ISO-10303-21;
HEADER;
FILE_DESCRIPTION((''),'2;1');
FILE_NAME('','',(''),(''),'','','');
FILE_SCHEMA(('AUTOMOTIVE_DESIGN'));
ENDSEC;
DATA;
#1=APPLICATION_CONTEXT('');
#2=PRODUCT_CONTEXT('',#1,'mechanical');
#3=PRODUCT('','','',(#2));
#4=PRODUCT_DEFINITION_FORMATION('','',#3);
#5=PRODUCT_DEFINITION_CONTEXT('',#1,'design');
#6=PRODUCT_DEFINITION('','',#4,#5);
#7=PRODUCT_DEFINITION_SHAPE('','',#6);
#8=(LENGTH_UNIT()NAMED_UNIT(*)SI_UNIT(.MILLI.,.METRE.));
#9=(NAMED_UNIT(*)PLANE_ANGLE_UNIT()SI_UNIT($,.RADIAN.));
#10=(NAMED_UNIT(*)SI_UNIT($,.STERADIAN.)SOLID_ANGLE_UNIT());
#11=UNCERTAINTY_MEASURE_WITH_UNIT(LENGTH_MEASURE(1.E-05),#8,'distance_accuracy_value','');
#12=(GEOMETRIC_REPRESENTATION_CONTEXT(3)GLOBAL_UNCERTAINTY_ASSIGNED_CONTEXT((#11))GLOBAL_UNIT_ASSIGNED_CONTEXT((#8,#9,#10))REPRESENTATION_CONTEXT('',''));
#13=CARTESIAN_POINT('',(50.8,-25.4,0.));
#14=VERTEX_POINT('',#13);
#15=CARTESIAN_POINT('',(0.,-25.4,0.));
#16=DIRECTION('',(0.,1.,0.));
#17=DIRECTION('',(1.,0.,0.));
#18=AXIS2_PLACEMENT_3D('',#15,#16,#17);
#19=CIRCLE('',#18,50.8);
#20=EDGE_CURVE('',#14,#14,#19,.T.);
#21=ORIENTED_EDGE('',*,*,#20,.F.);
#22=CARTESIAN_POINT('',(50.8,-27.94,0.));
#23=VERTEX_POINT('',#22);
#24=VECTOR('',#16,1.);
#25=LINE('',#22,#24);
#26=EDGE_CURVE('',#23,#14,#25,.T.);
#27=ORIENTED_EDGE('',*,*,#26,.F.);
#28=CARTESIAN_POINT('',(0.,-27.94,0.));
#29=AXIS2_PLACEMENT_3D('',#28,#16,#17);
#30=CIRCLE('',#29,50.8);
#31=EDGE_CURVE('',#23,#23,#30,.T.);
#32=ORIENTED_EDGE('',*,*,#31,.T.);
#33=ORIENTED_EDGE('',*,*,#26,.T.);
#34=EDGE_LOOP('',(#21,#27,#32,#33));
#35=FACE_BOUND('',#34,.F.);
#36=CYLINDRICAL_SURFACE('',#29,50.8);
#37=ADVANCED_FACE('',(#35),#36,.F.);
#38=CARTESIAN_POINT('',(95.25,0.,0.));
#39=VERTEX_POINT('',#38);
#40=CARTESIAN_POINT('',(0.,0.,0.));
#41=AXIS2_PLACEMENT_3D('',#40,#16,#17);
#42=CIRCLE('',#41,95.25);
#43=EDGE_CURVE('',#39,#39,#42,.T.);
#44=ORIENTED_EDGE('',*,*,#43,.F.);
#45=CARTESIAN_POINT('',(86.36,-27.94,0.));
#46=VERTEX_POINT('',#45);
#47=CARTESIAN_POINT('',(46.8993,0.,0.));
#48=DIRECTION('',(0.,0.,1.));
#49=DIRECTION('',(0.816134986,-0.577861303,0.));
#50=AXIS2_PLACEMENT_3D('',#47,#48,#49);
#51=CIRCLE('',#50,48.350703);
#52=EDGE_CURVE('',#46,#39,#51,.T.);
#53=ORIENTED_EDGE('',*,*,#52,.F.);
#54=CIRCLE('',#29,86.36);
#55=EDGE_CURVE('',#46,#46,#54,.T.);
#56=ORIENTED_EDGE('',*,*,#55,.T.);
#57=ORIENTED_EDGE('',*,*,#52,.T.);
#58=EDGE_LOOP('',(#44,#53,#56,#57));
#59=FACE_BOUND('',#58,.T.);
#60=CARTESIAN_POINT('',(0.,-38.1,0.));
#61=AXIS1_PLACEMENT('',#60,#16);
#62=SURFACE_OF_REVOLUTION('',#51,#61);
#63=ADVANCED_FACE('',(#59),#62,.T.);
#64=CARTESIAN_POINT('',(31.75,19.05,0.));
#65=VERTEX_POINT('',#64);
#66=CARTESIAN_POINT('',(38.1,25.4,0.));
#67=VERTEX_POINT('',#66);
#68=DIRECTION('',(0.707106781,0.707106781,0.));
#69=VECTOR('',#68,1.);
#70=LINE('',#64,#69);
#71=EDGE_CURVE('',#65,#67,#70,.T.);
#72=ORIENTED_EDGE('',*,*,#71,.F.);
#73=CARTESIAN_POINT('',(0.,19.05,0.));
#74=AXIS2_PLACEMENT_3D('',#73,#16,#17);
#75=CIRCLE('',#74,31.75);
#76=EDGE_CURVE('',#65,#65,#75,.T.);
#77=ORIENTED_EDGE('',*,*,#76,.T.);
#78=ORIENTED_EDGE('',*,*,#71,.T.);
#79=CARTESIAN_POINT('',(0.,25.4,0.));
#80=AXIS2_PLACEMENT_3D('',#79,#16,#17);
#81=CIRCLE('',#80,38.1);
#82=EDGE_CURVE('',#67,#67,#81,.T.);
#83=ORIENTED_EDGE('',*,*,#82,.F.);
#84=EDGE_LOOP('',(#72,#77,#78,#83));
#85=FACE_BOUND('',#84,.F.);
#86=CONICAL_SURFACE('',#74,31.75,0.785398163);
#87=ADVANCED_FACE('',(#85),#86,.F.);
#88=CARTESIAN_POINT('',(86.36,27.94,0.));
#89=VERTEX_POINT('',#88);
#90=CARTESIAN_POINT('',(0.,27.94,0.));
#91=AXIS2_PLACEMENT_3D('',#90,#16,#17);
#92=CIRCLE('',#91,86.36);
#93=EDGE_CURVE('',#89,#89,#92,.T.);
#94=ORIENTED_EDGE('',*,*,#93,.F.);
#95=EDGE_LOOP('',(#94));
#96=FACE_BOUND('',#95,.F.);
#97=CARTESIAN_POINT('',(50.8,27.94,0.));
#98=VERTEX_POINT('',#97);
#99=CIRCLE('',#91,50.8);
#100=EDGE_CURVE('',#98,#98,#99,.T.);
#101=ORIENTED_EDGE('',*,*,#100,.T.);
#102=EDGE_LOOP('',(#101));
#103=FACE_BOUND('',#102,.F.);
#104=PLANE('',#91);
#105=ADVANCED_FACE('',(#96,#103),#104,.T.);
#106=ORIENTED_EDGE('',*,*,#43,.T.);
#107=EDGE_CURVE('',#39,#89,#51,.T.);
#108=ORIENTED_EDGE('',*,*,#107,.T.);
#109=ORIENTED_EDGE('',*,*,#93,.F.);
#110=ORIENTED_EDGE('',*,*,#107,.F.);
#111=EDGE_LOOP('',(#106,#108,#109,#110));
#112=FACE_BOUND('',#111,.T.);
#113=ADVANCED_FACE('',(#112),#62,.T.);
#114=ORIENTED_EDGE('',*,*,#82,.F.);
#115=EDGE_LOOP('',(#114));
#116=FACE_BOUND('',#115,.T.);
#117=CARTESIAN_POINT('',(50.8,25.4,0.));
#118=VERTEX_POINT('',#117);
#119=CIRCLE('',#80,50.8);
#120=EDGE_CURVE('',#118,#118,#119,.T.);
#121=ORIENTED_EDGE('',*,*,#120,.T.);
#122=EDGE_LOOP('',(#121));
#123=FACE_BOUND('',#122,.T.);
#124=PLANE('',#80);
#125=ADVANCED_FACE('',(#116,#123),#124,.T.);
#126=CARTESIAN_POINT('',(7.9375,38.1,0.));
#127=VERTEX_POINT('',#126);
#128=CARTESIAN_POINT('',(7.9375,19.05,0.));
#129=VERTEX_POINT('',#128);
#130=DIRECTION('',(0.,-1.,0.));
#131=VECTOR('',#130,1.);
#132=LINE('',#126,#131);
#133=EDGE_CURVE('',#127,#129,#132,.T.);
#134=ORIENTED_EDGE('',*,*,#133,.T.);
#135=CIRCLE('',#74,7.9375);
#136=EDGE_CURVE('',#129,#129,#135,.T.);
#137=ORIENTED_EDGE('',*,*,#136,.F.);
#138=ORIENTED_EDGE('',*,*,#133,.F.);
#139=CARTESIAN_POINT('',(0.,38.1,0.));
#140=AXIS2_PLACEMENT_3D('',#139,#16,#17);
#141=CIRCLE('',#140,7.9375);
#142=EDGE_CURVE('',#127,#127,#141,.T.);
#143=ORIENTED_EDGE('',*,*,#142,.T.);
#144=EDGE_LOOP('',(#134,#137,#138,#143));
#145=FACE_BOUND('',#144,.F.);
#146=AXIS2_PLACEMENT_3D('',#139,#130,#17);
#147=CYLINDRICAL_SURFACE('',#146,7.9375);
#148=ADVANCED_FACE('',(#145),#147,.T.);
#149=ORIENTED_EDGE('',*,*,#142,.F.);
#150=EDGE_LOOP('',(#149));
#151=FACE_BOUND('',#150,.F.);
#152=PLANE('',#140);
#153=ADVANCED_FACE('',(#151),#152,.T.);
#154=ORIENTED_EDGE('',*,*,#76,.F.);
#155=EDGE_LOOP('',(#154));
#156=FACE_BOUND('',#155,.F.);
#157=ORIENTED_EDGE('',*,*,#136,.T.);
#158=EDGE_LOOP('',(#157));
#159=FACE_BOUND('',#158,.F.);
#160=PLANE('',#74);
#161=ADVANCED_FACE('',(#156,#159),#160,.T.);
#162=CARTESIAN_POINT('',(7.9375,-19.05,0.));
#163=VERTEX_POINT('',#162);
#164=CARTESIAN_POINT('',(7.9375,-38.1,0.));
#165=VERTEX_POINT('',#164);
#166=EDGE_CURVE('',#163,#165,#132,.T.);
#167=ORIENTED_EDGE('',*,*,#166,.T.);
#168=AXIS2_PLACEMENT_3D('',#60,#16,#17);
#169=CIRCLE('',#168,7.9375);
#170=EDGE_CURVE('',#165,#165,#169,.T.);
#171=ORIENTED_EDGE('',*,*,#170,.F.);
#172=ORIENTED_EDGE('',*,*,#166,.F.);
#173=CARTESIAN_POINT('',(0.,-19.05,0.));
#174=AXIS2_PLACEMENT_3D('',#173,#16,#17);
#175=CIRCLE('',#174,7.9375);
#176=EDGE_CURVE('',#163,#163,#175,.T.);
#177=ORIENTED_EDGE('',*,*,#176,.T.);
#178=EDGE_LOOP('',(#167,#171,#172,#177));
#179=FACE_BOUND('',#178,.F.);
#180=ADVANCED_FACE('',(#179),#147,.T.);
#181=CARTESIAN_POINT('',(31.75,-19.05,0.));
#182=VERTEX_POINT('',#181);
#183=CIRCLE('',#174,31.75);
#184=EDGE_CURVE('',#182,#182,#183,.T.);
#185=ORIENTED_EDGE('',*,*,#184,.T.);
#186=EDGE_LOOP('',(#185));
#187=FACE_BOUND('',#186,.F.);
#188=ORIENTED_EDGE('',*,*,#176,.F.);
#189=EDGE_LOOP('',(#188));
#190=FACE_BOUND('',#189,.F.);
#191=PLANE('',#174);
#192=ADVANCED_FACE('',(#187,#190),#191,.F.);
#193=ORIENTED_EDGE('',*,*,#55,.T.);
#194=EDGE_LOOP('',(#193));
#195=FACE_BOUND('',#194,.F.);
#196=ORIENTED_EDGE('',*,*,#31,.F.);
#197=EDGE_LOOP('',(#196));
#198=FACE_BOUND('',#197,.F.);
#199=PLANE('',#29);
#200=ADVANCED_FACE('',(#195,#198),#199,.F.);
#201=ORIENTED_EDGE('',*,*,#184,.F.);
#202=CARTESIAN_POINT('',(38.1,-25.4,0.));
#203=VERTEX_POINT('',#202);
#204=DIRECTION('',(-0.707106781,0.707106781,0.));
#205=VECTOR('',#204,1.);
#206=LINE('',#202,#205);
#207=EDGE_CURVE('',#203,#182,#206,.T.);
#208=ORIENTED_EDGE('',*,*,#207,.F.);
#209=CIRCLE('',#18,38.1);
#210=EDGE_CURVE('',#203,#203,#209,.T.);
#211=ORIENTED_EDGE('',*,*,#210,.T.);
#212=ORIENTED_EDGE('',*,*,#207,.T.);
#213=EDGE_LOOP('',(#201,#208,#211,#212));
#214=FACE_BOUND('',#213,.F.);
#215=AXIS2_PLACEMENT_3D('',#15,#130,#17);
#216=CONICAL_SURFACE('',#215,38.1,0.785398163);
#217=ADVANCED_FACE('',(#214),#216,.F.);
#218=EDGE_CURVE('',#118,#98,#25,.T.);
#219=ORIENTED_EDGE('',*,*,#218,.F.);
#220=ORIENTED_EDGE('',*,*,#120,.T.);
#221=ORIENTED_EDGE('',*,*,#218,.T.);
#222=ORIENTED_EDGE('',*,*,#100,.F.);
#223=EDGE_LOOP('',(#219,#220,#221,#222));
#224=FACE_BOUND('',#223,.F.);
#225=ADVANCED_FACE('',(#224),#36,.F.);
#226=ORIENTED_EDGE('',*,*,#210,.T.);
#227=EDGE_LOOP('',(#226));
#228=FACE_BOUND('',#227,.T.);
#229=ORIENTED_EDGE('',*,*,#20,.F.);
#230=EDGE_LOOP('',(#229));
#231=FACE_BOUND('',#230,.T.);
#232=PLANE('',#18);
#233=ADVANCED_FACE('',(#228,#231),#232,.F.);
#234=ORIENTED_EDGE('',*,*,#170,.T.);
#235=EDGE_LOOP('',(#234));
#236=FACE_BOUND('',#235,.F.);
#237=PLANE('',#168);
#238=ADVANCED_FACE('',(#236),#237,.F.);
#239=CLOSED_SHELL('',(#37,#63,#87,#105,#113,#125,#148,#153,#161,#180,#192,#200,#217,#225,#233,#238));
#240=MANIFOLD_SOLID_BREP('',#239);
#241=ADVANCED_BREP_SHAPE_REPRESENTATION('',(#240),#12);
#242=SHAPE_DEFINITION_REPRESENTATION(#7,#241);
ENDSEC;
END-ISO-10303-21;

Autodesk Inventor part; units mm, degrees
ref_plane "YZ Plane" through (0, 0, 0) normal (1, 0, 0) x (0, 1, 0)
ref_plane "XZ Plane" through (0, 0, 0) normal (0, 1, 0) x (-1, 0, 0)
ref_plane "XY Plane" through (0, 0, 0) normal (0, 0, 1) x (1, 0, 0)
sketch "Sketch1" plane through (0, 0, 0) normal (0, 0, 1) x (1, 0, 0)
  line L0 (0, 0) -> (0, 0)
  line L1 (95.25, 0) -> (95.25, 7.7978)
  line L2 (86.36, -27.94) -> (50.8, -27.94)
  line L3 (50.8, -27.94) -> (50.8, 27.94)
  line L4 (50.8, 27.94) -> (86.36, 27.94)
  line L5 (86.36, 27.94) -> (86.36, -27.94)
  line L6 (50.8, 25.4) -> (38.1, 25.4)
  line L7 (38.1, 25.4) -> (38.1, -25.4)
  line L8 (38.1, -25.4) -> (50.8, -25.4)
  line L9 (50.8, -25.4) -> (50.8, 25.4)
  line L10 (0, 19.05) -> (31.75, 19.05)
  line L11 (31.75, 19.05) -> (31.75, -19.05)
  line L12 (31.75, -19.05) -> (0, -19.05)
  line L13 (0, -19.05) -> (0, 19.05)
  line L14 (31.75, 19.05) -> (38.1, 25.4)
  line L15 (38.1, -25.4) -> (31.75, -19.05)
  line L16 (0, 7.7978) -> (4.1037, 7.7978)
  line L17 (0, 38.1) -> (7.9375, 38.1)
  line L18 (7.9375, 38.1) -> (7.9375, -38.1)
  line L19 (7.9375, -38.1) -> (0, -38.1)
  line L20 (0, -38.1) -> (0, 38.1)
  arc A0 (86.36, -27.94) -> (86.36, 27.94) centre (46.8993, 0) ccw
  point P0 (50.8, 0)
  point P1 (38.1, 0)
  point P2 (31.75, 0)
  point P3 (50.8, 0)
  dimension "d0" = 95.25
  dimension "d2" = 35.56
  dimension "d3" = 50.8
  dimension "d4" = 50.8
  dimension "d5" = 12.7
  dimension "d6" = 38.1
  dimension "d7" = 6.35
  dimension "d8" = 76.2
  dimension "d9" = 7.9375
  dimension "d10" = 55.88
revolve "Revolution1" add sketch "Sketch1" angle 360 about axis through (0, -38.1, 0) along (0, 1, 0)
properties part number "caster wheel"
